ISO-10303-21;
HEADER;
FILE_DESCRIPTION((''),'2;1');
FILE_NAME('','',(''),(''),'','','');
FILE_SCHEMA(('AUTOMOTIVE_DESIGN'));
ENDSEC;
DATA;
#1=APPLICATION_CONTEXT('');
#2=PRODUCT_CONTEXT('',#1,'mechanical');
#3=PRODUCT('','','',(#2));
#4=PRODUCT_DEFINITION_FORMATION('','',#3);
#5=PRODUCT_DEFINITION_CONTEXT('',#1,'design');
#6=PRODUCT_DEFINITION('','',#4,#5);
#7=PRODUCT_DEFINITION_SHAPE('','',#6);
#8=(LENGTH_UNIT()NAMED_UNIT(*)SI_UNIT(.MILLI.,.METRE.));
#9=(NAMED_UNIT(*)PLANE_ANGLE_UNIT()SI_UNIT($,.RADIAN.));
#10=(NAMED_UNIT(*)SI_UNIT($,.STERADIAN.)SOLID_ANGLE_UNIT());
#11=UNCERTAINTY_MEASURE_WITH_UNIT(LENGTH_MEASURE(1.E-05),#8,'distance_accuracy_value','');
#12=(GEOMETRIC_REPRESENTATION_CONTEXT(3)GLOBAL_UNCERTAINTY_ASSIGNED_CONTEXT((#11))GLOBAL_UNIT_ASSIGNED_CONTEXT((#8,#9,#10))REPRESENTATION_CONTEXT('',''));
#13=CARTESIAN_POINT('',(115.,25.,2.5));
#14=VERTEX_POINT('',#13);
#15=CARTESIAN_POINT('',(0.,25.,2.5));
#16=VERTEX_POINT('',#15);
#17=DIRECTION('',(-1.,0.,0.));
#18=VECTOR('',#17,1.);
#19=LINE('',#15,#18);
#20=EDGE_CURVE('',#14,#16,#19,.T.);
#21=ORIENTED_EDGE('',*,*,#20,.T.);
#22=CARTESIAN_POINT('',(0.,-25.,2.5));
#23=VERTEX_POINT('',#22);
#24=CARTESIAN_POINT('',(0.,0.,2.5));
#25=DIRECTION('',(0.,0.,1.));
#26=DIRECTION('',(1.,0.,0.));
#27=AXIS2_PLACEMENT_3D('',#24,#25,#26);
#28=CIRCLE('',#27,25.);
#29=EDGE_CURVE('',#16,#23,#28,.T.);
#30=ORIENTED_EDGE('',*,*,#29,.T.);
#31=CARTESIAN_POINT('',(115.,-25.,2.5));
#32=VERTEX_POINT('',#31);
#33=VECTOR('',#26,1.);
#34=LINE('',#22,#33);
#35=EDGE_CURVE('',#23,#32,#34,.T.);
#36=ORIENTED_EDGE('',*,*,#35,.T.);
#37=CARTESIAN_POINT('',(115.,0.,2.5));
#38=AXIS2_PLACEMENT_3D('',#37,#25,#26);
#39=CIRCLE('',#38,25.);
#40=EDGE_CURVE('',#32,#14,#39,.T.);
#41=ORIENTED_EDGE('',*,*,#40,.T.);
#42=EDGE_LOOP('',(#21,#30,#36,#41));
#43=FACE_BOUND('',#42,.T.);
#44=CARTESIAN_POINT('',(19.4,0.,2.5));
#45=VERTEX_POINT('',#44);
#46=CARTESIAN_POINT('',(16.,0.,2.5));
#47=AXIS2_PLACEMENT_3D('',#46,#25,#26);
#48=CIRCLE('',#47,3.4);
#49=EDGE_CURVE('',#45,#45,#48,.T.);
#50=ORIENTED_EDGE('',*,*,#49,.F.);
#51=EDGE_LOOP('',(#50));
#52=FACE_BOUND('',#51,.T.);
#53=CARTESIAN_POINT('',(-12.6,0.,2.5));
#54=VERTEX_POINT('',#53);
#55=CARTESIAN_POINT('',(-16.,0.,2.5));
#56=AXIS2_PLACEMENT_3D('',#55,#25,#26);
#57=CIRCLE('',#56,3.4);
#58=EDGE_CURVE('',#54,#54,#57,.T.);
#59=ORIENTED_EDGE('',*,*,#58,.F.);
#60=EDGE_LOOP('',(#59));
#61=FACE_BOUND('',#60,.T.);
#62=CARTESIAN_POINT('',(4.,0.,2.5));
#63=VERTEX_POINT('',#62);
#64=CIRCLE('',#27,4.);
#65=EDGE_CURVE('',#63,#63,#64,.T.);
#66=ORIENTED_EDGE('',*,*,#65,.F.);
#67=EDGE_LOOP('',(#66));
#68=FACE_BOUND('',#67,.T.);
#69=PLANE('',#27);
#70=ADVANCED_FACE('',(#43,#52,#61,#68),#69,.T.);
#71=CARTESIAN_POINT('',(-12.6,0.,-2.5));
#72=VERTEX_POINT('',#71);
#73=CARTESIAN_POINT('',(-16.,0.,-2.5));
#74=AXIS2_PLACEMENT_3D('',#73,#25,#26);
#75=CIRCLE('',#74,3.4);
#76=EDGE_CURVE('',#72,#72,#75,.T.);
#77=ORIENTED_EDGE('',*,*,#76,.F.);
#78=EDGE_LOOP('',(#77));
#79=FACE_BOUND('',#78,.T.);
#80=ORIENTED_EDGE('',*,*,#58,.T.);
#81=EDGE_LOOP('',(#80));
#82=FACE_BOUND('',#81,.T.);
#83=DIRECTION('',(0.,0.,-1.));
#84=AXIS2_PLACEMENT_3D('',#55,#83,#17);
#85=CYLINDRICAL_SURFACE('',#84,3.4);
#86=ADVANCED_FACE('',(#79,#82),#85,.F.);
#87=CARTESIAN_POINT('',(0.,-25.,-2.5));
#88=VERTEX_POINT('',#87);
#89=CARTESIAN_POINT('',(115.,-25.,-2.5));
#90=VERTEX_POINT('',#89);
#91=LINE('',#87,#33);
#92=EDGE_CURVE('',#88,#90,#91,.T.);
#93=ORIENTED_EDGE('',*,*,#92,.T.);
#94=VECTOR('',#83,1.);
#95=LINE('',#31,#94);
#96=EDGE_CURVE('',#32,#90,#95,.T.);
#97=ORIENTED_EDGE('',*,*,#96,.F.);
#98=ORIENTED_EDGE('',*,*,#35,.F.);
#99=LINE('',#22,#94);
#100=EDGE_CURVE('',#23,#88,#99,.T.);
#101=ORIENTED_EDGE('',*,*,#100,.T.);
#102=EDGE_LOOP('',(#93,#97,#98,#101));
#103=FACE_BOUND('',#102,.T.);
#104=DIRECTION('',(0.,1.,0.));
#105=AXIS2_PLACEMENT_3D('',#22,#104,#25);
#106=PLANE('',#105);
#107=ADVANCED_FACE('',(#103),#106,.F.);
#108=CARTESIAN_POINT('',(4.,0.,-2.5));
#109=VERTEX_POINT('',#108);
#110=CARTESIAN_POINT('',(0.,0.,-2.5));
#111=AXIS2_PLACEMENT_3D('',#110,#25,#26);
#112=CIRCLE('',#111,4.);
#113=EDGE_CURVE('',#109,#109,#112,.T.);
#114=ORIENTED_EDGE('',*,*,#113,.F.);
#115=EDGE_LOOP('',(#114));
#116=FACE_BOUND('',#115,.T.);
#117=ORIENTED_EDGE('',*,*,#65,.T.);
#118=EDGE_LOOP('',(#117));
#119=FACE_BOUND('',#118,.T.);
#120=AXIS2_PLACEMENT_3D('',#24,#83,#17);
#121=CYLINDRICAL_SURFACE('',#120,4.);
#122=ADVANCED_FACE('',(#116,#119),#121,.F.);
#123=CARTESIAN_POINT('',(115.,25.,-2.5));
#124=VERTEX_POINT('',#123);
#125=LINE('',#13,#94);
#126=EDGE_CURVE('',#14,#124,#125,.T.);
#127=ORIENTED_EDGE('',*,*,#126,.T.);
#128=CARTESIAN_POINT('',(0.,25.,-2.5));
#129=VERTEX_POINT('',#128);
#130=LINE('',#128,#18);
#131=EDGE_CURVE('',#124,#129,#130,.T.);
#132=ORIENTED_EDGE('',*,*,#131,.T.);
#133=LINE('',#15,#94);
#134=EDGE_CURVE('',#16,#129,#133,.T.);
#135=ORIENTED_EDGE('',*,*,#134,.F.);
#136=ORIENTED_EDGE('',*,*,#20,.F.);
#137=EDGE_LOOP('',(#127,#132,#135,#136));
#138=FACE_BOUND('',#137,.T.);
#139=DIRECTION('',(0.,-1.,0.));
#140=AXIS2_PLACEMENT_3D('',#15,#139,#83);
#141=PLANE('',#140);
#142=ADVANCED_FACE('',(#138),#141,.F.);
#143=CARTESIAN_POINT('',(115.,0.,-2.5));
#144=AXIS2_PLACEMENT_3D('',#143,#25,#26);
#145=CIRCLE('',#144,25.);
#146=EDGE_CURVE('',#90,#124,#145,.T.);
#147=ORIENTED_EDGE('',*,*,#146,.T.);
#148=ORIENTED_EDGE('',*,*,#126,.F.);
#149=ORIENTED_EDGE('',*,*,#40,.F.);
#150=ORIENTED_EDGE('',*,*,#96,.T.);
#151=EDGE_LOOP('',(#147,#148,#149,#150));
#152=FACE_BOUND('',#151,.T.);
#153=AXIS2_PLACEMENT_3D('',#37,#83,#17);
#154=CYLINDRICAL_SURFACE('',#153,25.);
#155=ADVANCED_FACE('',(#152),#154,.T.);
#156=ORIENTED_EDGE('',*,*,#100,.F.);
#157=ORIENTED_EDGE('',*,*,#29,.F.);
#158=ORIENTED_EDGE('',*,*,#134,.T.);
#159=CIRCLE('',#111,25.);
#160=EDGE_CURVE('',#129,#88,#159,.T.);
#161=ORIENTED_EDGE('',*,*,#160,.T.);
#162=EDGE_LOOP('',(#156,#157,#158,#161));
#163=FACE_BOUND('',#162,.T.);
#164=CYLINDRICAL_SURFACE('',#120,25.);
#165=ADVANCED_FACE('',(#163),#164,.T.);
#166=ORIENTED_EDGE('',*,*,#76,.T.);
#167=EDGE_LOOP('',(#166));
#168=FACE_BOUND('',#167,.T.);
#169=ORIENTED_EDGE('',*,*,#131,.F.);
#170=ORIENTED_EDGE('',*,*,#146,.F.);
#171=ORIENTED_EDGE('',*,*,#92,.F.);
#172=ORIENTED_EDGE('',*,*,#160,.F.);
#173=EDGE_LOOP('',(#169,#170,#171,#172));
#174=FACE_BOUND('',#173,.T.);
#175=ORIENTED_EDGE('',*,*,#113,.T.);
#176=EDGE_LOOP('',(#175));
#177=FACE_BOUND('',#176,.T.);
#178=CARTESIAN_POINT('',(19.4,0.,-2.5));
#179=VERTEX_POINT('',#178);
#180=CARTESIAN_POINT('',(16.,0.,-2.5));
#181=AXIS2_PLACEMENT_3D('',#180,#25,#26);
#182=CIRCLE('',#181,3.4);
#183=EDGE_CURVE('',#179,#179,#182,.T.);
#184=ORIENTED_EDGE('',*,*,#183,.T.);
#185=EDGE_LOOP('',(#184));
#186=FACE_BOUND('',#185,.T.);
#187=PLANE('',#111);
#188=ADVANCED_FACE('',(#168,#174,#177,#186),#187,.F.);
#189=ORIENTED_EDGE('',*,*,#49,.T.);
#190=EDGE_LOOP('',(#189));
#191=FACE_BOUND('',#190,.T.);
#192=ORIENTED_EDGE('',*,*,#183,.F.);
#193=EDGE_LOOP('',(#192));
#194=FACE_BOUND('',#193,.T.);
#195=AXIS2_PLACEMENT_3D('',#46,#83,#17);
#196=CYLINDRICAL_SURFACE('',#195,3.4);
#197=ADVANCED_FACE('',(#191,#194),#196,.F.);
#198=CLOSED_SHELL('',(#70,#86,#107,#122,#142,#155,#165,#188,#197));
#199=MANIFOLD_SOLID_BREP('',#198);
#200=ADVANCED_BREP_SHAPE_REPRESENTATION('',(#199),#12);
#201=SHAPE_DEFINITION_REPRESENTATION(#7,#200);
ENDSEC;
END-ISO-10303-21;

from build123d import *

# Parameters (mm, degrees)
SKETCH2_R           = 4
SKETCH2_R_2         = 3.4
BOSS_EXTRUDE1_DEPTH = 2.5


with BuildPart() as part:
    # Sketch2 → Boss-Extrude1 (new, symmetric)
    with BuildSketch(Plane.XY):
        with BuildLine():
            Line((0, 25), (115, 25))
            ThreePointArc((115, 25), (140, 0), (115, -25))
            Line((115, -25), (0, -25))
            ThreePointArc((0, -25), (-25, 0), (0, 25))
        make_face()
        Circle(SKETCH2_R, mode=Mode.SUBTRACT)
        with Locations((16, 0)):
            Circle(SKETCH2_R_2, mode=Mode.SUBTRACT)
        with Locations((-16, 0)):
            Circle(SKETCH2_R_2, mode=Mode.SUBTRACT)
    extrude(amount=BOSS_EXTRUDE1_DEPTH, both=True)


solid = part.part
